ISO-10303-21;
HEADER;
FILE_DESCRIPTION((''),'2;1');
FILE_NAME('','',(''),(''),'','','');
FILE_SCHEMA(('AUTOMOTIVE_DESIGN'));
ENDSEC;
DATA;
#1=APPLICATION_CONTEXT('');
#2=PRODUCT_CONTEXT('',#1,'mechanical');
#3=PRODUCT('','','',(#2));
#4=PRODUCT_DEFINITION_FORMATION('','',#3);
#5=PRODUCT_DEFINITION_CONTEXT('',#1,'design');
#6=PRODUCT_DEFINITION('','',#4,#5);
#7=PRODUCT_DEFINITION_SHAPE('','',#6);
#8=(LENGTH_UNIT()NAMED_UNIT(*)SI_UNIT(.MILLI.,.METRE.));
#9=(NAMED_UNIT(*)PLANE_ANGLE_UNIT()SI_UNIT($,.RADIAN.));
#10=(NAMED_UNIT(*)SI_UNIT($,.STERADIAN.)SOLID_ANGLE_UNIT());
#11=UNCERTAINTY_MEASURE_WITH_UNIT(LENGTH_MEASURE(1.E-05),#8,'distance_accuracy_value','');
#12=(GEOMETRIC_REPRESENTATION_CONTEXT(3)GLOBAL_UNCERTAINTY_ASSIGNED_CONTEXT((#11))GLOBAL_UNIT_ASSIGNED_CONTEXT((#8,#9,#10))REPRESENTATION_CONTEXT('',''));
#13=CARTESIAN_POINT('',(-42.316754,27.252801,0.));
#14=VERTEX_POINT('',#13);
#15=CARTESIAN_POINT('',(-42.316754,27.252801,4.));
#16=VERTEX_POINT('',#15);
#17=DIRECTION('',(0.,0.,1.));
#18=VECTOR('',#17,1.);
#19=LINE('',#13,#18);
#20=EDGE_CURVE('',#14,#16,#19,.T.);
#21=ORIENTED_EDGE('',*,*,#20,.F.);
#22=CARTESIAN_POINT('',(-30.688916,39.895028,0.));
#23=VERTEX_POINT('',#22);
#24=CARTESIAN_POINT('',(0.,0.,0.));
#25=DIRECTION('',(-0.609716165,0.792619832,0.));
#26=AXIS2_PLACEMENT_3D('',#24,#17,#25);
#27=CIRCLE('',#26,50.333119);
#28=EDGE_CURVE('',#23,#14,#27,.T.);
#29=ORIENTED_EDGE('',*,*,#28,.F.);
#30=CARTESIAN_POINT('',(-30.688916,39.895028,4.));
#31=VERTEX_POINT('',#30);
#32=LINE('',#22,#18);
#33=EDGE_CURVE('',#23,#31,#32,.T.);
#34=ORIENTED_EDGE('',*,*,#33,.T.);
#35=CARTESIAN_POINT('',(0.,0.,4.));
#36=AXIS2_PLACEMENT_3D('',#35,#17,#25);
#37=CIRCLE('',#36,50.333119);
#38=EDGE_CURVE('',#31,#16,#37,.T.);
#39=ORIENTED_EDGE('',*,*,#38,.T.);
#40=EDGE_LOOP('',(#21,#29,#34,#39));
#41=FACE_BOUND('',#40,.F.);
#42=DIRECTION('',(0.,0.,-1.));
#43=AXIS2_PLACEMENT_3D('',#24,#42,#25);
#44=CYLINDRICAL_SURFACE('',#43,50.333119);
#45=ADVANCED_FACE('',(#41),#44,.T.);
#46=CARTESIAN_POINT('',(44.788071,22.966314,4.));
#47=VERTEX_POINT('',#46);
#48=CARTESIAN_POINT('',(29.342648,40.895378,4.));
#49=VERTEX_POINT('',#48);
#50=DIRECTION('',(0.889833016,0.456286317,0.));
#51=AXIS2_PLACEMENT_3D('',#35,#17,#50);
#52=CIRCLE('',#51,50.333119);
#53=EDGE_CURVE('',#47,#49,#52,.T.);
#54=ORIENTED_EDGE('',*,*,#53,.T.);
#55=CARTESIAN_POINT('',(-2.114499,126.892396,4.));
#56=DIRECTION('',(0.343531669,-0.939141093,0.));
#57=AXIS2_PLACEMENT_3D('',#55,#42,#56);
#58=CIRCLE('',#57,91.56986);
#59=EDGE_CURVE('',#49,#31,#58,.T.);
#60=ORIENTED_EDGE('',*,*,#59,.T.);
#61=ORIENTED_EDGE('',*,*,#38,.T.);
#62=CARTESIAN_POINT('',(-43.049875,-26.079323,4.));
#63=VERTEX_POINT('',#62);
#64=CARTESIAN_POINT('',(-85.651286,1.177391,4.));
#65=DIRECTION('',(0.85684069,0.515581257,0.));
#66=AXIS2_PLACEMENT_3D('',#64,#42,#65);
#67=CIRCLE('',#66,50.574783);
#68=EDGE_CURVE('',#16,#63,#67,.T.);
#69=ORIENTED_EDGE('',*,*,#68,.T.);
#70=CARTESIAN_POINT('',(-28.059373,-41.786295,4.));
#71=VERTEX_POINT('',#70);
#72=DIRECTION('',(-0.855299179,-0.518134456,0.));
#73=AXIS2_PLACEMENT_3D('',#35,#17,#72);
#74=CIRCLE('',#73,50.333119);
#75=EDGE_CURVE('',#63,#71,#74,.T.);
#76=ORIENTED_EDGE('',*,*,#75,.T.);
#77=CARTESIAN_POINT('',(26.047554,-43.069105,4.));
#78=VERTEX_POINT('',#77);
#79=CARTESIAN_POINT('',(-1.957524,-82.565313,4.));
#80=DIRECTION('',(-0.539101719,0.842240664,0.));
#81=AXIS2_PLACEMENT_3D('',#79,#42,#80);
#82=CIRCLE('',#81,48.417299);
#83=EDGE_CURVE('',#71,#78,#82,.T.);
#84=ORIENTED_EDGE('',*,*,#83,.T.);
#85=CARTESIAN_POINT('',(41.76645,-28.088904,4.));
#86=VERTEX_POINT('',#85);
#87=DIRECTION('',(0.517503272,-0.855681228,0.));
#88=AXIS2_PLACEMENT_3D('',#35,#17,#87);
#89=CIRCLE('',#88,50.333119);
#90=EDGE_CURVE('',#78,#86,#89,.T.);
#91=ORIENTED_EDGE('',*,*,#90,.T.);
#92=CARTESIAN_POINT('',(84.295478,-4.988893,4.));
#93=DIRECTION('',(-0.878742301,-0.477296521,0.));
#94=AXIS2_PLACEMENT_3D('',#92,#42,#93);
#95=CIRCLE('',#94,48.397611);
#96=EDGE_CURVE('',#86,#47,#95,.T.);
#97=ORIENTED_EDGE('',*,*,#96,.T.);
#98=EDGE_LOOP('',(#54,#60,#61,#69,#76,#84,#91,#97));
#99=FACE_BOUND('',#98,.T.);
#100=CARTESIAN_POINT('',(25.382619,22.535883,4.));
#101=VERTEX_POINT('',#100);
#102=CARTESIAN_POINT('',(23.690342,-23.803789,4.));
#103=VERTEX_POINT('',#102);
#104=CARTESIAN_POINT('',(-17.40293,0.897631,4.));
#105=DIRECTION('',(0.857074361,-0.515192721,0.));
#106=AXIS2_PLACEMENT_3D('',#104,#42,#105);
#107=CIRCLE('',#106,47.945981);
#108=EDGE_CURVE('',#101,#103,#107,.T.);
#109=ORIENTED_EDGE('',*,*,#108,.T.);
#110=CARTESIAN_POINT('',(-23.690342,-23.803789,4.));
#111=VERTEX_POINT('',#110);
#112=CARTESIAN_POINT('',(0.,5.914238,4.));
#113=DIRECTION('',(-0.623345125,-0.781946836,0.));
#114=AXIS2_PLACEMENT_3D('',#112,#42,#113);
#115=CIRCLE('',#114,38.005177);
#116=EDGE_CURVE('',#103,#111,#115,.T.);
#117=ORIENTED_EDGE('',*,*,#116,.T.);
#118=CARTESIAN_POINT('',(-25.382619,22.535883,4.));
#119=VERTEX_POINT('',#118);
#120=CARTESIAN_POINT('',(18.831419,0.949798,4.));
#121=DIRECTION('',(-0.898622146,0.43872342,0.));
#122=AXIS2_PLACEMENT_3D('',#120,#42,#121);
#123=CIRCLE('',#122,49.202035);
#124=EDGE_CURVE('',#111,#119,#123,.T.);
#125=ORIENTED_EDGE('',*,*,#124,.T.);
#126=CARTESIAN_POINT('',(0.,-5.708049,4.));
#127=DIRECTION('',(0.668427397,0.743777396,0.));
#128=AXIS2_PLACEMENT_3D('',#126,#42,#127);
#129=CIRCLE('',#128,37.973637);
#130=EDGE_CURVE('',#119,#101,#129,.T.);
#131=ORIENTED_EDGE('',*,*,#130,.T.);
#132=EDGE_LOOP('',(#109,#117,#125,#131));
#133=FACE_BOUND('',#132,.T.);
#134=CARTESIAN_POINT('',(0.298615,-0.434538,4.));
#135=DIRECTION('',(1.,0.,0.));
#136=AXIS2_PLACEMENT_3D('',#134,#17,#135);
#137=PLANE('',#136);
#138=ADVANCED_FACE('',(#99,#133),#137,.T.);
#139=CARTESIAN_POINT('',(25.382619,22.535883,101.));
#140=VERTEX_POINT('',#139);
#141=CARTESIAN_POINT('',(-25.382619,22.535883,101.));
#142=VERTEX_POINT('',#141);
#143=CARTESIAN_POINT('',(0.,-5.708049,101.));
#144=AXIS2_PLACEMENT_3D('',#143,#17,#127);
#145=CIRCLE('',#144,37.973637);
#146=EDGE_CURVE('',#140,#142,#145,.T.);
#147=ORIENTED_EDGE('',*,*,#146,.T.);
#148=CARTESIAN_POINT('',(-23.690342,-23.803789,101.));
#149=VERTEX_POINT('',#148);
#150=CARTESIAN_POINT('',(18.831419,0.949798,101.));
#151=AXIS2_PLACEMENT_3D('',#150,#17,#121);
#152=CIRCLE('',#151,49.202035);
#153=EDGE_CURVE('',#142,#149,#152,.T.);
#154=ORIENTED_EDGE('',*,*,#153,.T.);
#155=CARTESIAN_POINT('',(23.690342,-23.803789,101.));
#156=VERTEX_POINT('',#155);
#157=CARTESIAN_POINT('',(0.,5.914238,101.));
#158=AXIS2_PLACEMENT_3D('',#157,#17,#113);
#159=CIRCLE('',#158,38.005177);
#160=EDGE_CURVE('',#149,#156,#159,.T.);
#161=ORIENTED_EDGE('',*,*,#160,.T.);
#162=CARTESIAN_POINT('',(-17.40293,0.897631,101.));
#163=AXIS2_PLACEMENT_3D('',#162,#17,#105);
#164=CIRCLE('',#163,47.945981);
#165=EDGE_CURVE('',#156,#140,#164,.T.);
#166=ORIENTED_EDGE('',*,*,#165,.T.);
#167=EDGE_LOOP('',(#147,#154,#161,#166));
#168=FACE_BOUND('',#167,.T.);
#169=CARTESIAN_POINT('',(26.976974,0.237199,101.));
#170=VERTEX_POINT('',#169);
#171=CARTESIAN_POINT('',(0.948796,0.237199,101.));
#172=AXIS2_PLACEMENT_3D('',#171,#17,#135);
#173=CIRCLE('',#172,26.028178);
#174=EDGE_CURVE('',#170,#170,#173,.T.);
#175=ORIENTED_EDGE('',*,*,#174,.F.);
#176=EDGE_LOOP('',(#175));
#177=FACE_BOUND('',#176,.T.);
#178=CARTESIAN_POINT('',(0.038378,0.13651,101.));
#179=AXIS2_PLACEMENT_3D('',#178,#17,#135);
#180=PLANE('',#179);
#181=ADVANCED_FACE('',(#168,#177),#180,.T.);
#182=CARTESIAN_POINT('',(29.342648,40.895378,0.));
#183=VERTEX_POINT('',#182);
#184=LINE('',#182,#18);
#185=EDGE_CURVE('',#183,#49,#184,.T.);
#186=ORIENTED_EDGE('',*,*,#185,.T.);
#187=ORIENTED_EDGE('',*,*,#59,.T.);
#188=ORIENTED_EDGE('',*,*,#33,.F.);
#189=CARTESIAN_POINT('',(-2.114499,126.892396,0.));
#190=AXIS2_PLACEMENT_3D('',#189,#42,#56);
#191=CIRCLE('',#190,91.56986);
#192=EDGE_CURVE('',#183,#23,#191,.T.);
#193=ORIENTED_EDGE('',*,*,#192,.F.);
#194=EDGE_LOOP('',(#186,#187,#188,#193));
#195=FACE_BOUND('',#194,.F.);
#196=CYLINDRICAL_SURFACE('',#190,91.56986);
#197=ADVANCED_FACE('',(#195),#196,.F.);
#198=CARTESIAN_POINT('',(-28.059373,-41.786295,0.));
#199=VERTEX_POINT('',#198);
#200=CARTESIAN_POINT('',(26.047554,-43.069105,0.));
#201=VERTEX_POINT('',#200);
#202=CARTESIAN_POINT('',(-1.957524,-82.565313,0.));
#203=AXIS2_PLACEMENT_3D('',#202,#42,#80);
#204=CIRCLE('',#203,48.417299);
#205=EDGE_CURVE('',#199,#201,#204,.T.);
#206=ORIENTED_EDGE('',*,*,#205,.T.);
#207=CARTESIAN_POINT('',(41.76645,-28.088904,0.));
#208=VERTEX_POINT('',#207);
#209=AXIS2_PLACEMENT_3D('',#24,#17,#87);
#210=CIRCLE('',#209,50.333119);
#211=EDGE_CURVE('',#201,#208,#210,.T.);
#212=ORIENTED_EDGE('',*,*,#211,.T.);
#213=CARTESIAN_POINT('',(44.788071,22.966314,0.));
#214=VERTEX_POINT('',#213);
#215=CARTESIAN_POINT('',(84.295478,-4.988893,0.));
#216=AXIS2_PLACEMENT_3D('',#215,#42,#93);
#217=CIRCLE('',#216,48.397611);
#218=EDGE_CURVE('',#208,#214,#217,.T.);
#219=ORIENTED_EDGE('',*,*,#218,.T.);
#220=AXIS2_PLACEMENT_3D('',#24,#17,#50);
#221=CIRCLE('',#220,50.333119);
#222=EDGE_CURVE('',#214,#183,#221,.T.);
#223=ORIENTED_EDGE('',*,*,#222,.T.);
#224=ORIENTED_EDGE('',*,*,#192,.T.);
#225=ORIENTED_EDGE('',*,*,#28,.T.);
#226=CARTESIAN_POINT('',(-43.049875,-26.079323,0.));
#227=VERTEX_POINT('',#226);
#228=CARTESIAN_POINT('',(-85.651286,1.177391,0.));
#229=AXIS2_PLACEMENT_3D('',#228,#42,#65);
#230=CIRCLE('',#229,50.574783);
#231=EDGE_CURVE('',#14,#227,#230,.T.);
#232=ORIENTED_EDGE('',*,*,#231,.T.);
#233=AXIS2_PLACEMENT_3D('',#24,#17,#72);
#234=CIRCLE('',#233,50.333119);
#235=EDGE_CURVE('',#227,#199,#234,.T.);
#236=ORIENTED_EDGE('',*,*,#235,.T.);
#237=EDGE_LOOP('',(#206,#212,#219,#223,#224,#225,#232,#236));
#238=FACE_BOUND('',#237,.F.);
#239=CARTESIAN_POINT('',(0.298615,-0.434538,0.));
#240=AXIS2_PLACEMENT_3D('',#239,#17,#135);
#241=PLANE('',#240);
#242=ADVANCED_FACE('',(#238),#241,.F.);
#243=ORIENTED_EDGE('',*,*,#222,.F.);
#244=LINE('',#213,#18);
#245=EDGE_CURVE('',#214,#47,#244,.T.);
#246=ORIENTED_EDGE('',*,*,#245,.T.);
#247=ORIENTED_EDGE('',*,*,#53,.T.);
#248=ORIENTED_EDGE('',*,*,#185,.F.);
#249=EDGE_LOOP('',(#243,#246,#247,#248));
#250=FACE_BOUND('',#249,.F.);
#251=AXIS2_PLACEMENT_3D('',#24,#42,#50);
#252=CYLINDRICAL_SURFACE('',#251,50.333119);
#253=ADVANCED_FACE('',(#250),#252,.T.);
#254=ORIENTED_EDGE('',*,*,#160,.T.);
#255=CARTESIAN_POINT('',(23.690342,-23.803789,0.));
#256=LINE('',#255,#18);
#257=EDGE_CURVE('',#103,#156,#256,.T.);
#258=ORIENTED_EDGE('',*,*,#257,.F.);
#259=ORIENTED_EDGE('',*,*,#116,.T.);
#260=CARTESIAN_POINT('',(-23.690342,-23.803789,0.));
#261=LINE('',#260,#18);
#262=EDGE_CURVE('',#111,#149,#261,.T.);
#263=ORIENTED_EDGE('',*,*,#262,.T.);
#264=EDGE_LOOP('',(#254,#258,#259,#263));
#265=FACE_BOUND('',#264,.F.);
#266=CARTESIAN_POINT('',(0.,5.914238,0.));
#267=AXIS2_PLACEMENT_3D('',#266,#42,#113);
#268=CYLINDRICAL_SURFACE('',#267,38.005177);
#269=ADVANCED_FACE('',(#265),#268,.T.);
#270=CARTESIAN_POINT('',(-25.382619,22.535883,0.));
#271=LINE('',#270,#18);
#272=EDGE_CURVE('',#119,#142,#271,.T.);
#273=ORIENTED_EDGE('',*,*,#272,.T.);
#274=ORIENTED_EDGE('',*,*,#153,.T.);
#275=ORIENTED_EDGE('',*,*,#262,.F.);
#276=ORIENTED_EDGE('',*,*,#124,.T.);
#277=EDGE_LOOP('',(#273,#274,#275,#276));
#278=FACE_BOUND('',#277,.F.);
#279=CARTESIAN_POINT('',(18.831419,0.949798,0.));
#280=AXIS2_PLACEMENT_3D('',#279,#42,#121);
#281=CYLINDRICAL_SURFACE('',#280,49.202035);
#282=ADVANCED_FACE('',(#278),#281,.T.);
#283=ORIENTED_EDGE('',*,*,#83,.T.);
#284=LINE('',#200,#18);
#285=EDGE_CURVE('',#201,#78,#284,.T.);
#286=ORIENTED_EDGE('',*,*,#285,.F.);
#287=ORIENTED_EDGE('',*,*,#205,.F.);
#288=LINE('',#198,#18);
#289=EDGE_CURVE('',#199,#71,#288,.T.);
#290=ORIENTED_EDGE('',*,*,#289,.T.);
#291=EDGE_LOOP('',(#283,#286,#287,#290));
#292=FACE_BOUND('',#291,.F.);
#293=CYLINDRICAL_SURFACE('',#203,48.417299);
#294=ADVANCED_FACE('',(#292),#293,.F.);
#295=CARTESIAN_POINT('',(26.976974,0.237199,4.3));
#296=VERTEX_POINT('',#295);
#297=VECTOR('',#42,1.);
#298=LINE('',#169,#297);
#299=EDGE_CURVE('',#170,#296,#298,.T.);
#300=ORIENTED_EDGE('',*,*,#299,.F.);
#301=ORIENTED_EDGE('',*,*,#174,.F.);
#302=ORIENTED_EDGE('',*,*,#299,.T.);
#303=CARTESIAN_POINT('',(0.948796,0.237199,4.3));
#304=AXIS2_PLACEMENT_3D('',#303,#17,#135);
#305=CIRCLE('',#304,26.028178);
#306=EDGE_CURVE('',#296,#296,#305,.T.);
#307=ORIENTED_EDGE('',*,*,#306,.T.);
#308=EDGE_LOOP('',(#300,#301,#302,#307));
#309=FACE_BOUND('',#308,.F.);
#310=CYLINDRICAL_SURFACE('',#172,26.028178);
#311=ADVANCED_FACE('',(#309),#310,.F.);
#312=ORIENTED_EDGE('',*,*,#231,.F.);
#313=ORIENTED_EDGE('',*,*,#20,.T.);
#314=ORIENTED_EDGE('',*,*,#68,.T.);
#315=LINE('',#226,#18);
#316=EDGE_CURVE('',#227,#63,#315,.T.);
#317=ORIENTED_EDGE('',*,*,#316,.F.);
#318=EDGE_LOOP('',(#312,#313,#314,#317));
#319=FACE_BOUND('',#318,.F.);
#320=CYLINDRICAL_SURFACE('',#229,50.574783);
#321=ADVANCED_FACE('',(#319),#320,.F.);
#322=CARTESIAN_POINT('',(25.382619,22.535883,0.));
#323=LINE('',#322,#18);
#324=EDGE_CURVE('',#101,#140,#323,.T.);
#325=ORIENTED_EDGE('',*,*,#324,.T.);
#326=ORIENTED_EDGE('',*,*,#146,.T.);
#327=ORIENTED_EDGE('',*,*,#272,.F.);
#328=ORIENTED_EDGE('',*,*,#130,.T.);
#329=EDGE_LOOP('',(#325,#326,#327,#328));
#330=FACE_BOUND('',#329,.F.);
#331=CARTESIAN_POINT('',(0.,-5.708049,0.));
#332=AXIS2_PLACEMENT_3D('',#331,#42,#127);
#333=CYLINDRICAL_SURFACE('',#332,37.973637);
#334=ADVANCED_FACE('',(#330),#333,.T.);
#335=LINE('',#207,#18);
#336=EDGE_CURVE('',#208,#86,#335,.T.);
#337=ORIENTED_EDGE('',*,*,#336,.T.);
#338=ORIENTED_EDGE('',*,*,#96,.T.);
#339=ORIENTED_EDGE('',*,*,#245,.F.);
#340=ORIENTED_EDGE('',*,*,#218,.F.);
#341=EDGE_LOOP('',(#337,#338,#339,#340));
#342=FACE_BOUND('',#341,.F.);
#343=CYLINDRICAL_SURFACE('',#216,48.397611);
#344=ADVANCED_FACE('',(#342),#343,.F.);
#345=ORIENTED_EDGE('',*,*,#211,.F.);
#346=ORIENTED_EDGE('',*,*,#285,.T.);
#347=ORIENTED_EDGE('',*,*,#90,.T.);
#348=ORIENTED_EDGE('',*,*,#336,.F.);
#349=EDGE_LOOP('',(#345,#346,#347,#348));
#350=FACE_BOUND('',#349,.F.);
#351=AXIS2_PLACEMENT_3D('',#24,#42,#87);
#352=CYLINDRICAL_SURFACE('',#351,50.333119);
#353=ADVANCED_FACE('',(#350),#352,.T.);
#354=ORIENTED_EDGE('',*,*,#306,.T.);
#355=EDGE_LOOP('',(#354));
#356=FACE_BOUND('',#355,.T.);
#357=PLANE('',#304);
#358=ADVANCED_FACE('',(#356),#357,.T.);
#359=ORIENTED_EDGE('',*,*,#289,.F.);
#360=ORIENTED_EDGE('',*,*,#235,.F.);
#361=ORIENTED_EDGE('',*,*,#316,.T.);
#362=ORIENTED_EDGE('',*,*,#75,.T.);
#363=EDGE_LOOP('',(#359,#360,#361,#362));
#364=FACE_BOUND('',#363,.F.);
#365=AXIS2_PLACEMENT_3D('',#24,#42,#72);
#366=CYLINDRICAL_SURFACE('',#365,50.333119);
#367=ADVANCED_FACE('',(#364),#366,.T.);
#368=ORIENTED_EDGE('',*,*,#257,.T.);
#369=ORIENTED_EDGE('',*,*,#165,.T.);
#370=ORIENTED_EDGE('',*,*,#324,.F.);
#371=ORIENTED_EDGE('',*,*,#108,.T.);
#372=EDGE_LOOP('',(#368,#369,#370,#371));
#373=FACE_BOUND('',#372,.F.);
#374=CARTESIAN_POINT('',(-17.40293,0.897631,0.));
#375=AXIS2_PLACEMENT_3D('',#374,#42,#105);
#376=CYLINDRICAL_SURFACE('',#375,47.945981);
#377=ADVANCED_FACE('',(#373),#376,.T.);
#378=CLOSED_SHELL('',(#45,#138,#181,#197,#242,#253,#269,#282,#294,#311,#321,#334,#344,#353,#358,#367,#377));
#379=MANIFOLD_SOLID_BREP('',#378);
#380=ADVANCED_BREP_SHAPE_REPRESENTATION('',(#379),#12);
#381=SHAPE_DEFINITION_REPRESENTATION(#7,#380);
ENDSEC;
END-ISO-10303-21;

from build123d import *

# Parameters (mm, degrees)
F1_DEPTH = 101
F2_R     = 26.0281777089
F3_DEPTH = 96.7
F5_DEPTH = 4


with BuildPart() as f1:
    # F0 (on Top) → F1 (new body)
    with BuildSketch(Plane.XY):
        with BuildLine():
            ThreePointArc((23.6903417145, -23.8037893118), (30.5111124696, -0.8521403709), (25.3826190605, 22.5358834478))
            ThreePointArc((25.3826190605, 22.5358834478), (0, 32.2655875029), (-25.3826190605, 22.5358834478))
            ThreePointArc((-25.3826190605, 22.5358834478), (-30.337839801, -0.8458126307), (-23.6903417145, -23.8037893118))
            ThreePointArc((-23.6903417145, -23.8037893118), (0, -32.0909383549), (23.6903417145, -23.8037893118))
        make_face()
    extrude(amount=F1_DEPTH)

    # F2 (on face) → F3 (cut)
    with BuildSketch(Plane.XY.offset(101)):
        with Locations((0.9487959906, 0.2371987939)):
            Circle(F2_R)
    extrude(amount=-F3_DEPTH, mode=Mode.SUBTRACT)

    # F4 (on Top) → F5 (join)
    with BuildSketch(Plane.XY):
        with BuildLine():
            ThreePointArc((41.7664500982, -28.0889039008), (35.9824056468, -2.129560913), (44.7880711781, 22.9663135113))
            ThreePointArc((44.7880711781, 22.9663135113), (38.1340229318, 32.8514713703), (29.3426477198, 40.895377501))
            ThreePointArc((29.3426477198, 40.895377501), (-0.5888166123, 35.3352467721), (-30.6889163173, 39.8950284049))
            ThreePointArc((-30.6889163173, 39.8950284049), (-37.0460992048, 34.0735881566), (-42.3167543976, 27.252801203))
            ThreePointArc((-42.3167543976, 27.252801203), (-35.0812809888, 0.4822388969), (-43.0498754281, -26.0793232617))
            ThreePointArc((-43.0498754281, -26.0793232617), (-36.4116539714, -34.750745765), (-28.0593730131, -41.7862951489))
            ThreePointArc((-28.0593730131, -41.7862951489), (-0.8099307183, -34.1616163684), (26.0475538255, -43.0691051203))
            ThreePointArc((26.0475538255, -43.0691051203), (34.7244350449, -36.4367463829), (41.7664500982, -28.0889039008))
        make_face()
    extrude(amount=F5_DEPTH)


solid = f1.part
